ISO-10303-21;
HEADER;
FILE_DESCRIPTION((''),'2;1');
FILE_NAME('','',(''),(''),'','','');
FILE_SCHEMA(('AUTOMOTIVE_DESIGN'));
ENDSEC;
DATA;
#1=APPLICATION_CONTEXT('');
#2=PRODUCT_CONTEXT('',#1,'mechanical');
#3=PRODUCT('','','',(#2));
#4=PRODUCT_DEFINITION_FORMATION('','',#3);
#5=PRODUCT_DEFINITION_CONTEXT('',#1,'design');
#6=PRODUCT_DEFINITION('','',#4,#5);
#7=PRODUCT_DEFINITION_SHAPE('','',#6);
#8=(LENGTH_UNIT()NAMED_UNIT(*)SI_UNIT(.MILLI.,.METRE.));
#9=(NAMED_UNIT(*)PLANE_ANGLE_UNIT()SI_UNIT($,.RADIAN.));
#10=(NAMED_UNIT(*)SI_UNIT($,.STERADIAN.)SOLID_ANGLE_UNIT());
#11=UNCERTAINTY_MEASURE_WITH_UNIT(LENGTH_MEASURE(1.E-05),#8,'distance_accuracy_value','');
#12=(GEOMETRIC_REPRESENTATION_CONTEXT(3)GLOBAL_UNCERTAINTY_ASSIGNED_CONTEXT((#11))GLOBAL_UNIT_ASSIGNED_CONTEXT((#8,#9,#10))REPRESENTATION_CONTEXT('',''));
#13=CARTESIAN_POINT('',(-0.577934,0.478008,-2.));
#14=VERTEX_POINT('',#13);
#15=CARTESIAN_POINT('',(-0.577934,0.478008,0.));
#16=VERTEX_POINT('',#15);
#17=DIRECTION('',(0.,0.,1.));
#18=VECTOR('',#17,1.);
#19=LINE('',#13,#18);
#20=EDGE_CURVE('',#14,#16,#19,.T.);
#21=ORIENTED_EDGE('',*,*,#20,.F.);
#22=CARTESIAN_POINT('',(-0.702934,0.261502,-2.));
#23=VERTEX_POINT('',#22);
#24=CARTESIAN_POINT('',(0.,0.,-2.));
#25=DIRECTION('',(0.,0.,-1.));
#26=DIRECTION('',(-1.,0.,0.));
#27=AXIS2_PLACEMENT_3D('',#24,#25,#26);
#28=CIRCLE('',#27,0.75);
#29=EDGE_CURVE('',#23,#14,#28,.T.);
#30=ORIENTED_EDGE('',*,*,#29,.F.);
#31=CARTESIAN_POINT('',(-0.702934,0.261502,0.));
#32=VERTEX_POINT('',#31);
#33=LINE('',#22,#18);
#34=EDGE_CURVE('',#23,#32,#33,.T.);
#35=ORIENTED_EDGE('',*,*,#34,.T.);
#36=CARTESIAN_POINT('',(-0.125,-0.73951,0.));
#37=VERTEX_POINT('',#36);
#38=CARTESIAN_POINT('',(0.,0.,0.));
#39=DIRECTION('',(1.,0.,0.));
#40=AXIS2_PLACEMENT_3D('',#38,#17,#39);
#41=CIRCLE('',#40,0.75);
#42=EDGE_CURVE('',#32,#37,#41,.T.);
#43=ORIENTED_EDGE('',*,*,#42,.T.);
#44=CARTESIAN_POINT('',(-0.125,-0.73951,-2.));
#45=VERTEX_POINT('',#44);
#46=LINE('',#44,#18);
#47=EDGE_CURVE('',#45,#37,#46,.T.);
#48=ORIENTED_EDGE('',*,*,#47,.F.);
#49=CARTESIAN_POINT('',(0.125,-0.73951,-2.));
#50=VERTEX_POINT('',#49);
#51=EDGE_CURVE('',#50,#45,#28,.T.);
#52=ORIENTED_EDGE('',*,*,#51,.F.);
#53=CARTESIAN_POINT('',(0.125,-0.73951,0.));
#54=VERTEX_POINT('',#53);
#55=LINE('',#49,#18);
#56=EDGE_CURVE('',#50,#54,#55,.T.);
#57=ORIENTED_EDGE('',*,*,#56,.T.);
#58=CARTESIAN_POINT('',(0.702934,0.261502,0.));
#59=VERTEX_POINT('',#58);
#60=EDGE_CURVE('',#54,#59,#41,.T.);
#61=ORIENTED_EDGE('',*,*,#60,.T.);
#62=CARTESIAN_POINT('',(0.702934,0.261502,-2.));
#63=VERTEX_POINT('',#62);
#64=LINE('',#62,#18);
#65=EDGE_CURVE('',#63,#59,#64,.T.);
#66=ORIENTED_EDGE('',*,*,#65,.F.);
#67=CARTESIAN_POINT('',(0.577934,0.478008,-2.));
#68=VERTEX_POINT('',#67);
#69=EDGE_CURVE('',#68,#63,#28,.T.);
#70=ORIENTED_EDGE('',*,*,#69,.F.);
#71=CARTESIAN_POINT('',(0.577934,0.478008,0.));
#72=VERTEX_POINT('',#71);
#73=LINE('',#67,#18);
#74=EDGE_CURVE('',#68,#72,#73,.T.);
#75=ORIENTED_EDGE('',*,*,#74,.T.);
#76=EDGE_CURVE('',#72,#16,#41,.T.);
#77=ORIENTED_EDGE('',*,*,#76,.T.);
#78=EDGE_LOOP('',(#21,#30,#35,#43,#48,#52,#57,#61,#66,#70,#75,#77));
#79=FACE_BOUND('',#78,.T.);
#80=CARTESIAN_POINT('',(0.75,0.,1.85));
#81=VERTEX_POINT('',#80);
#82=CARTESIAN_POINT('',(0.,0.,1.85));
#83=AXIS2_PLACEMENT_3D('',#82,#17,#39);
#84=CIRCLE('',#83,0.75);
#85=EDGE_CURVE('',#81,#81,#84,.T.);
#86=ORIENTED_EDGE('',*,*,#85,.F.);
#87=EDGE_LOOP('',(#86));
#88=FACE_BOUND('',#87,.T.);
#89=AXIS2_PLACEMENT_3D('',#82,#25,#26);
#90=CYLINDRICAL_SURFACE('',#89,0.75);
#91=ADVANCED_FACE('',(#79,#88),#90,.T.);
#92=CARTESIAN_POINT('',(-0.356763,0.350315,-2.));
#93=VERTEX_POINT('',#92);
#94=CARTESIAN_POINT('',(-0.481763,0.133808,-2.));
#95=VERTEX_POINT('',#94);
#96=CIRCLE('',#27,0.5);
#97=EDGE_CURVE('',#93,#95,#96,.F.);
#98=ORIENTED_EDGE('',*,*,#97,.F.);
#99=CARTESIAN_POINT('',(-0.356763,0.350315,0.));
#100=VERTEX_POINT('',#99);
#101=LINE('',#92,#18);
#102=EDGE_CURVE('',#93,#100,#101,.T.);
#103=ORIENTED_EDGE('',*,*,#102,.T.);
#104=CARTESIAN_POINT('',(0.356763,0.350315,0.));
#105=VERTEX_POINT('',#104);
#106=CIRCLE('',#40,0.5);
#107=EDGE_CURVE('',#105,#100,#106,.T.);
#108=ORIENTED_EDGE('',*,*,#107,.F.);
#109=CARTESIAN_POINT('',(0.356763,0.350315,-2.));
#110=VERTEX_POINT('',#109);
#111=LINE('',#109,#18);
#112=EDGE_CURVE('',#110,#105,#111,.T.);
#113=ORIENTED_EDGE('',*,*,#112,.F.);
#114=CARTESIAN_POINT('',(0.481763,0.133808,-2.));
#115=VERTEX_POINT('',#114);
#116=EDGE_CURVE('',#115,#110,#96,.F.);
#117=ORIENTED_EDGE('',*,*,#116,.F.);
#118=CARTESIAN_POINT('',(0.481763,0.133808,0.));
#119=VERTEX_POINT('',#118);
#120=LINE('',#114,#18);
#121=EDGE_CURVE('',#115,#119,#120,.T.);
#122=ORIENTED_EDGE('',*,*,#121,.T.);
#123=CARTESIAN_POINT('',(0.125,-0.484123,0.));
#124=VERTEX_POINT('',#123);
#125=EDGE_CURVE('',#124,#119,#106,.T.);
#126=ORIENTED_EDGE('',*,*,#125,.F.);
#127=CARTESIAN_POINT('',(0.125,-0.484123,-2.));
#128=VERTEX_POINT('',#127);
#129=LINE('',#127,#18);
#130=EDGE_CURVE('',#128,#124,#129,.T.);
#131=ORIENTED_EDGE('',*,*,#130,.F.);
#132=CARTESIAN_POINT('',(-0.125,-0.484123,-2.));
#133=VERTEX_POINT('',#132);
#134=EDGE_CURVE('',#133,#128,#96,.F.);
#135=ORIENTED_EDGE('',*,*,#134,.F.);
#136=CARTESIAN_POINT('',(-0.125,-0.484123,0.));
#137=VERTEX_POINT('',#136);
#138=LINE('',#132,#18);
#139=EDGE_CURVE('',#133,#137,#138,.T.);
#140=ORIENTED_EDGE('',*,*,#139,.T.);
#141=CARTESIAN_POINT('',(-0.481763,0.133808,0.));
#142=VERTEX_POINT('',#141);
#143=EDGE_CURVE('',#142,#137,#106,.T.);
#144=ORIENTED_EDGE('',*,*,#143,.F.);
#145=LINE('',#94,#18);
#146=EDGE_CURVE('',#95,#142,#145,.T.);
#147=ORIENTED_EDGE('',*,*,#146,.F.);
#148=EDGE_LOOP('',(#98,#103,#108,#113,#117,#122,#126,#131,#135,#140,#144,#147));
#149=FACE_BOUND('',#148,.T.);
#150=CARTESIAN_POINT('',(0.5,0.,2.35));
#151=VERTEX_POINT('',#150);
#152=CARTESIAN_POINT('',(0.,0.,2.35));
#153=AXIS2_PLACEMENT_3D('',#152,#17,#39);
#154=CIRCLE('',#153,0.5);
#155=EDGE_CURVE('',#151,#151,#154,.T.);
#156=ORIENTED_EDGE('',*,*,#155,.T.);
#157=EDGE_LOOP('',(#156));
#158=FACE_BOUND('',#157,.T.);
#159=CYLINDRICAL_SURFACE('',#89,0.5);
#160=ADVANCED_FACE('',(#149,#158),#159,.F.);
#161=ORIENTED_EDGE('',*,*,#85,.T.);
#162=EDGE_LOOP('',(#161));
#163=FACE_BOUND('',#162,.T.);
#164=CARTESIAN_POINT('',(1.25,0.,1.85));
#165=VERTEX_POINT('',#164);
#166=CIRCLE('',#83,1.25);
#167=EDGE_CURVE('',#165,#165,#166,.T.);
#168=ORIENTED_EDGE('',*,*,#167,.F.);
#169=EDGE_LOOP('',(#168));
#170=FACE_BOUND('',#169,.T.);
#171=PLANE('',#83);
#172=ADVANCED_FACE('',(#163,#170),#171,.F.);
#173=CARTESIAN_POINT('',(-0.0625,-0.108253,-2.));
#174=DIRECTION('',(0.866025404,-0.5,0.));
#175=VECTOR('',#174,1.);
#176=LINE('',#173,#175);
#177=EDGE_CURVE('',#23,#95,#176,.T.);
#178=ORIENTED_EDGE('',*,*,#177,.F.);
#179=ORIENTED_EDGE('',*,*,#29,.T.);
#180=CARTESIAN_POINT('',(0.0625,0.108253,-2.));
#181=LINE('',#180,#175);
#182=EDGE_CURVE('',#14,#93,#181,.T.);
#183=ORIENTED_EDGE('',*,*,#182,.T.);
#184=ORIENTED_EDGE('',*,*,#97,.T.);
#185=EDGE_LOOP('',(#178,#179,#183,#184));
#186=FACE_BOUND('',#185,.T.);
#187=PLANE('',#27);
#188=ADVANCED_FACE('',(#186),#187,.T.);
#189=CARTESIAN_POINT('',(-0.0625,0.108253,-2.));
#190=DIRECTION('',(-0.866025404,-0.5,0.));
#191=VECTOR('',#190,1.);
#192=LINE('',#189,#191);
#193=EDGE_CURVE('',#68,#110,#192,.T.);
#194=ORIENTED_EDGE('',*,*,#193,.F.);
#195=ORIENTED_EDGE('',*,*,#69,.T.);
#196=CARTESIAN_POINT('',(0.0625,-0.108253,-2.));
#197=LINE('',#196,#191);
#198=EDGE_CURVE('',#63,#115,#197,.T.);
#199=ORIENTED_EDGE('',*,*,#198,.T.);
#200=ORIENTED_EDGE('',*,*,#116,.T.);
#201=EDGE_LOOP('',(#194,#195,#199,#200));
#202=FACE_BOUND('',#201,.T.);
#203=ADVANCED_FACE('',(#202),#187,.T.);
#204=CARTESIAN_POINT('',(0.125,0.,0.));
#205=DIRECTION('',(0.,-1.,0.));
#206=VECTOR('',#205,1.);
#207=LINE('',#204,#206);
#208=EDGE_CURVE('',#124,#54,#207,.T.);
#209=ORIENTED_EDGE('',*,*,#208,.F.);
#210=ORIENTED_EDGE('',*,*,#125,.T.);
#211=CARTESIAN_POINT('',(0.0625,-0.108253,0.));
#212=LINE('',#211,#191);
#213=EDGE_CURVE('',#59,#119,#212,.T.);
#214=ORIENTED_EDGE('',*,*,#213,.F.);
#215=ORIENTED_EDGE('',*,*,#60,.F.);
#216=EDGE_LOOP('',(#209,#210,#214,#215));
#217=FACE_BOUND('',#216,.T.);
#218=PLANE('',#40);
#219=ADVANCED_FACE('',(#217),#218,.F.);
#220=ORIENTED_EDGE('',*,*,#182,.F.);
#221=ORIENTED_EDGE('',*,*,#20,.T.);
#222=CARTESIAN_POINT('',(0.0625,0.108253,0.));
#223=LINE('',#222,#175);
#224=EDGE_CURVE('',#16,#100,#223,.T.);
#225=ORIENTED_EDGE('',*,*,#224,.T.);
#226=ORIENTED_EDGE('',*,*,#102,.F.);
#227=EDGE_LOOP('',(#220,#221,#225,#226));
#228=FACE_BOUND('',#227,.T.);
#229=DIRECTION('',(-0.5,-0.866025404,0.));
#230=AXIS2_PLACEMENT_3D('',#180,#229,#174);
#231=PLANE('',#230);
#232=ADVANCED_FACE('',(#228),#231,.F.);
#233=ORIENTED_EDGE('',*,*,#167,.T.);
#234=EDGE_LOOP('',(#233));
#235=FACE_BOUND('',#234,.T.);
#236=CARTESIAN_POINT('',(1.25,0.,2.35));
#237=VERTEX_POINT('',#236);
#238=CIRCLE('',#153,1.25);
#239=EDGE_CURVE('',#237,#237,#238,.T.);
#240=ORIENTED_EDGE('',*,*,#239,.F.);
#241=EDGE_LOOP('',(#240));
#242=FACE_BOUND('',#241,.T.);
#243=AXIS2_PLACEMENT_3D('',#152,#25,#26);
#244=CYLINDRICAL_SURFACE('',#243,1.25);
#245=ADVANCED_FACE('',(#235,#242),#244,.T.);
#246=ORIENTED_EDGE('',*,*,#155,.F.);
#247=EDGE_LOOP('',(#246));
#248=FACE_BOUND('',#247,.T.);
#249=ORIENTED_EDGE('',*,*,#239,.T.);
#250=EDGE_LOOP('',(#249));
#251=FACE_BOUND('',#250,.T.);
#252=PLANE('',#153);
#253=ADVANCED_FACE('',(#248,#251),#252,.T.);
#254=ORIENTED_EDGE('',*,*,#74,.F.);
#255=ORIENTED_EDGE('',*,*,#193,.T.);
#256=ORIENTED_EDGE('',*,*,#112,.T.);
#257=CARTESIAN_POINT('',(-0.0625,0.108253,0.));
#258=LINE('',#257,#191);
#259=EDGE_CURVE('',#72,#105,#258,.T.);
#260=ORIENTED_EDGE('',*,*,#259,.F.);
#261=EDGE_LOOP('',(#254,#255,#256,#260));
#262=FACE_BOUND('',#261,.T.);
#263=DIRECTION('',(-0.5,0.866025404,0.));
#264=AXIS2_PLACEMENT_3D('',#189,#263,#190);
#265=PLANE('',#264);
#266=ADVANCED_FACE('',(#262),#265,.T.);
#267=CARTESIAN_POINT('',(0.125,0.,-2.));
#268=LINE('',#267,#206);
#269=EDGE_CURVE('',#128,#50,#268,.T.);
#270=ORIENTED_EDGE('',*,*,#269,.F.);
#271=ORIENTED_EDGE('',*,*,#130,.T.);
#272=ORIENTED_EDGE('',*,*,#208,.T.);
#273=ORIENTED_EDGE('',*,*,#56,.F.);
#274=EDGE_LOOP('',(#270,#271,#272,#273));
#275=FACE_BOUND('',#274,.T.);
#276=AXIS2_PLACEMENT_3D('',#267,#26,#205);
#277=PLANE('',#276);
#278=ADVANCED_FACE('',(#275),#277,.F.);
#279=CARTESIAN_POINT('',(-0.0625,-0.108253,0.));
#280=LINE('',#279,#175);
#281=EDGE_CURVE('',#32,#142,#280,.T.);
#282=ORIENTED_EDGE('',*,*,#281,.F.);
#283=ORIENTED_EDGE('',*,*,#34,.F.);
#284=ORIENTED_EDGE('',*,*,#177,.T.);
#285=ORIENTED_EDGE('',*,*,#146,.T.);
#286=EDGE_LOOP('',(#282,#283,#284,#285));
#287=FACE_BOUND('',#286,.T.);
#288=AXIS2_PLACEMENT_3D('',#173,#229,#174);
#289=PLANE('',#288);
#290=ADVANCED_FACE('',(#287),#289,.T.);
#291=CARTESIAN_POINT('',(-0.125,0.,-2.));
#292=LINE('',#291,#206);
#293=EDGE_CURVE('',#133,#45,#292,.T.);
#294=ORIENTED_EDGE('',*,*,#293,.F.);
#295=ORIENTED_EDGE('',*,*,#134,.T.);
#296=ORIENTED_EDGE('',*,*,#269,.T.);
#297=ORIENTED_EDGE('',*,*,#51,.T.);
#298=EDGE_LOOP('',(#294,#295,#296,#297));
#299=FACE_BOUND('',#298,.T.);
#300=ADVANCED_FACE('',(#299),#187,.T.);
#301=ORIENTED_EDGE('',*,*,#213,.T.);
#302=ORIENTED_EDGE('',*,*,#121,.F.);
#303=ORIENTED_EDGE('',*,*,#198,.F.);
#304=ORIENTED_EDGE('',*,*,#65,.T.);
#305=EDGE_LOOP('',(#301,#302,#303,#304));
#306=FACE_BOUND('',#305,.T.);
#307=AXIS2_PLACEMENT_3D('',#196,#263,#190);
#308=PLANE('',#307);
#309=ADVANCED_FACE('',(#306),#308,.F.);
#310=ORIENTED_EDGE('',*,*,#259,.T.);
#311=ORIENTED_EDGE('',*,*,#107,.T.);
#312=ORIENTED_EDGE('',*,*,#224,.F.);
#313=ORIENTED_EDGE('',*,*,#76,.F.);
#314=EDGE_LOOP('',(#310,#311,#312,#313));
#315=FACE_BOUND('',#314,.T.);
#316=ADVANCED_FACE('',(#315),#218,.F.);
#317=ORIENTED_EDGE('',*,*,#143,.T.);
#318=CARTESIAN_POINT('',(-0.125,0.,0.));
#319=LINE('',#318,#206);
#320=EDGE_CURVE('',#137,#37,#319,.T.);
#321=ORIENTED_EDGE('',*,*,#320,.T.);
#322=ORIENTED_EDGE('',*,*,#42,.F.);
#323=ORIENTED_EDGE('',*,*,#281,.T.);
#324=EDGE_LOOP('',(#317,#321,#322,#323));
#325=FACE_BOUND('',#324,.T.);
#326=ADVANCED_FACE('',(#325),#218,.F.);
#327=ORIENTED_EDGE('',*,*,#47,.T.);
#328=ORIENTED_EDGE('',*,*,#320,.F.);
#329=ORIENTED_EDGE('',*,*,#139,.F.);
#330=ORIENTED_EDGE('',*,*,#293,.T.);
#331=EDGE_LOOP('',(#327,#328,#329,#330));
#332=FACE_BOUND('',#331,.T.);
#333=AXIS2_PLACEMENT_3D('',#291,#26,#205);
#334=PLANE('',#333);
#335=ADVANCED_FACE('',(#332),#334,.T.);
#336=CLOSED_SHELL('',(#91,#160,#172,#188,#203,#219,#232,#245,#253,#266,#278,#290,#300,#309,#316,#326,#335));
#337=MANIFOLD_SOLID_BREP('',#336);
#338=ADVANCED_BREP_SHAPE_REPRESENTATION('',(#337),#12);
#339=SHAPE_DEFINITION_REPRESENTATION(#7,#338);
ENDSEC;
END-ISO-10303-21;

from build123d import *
from build123d.topology import SkipClean

# Parameters (mm, degrees)
SKETCH1_R           = 0.75
SKETCH1_R_2         = 0.5
BOSS_EXTRUDE1_DEPTH = 1.85
SKETCH2_R           = 1.25
SKETCH2_R_2         = 0.5
BOSS_EXTRUDE2_DEPTH = 0.5
BOSS_EXTRUDE3_START = 2
BOSS_EXTRUDE3_DEPTH = 2


with BuildPart() as part:
    # Sketch1 → Boss-Extrude1 (new body)
    with BuildSketch(Plane.XY):
        Circle(SKETCH1_R)
        Circle(SKETCH1_R_2, mode=Mode.SUBTRACT)
    extrude(amount=BOSS_EXTRUDE1_DEPTH)

    # Sketch2 → Boss-Extrude2 (add)
    with BuildSketch(Plane.XY.offset(1.85)):
        Circle(SKETCH2_R)
        Circle(SKETCH2_R_2, mode=Mode.SUBTRACT)
    extrude(amount=BOSS_EXTRUDE2_DEPTH)

    # Sketch4 → Boss-Extrude3 (add)
    with SkipClean():  # the faces are left unmerged after this step: merging them gives an invalid solid
        with BuildSketch(Plane(origin=(0, 0, 0), x_dir=(-1, 0, 0), z_dir=(0, 0, -1)).offset(BOSS_EXTRUDE3_START)):
            with BuildLine():
                Line((-0.356762746, 0.350314635), (-0.577934423, 0.478008162))
                ThreePointArc((-0.577934423, 0.478008162), (-0.615884067, 0.42800329), (-0.649519059, 0.374999989))
                ThreePointArc((-0.649519059, 0.374999989), (-0.678603761, 0.319369591), (-0.702934423, 0.261501811))
                Line((-0.702934423, 0.261501811), (-0.481762746, 0.133808284))
                ThreePointArc((-0.481762746, 0.133808284), (-0.433012702, 0.25), (-0.356762746, 0.350314635))
            make_face()
            with BuildLine():
                ThreePointArc((0.702934423, 0.261501811), (0.678603761, 0.319369591), (0.649519059, 0.374999989))
                ThreePointArc((0.649519059, 0.374999989), (0.615884067, 0.42800329), (0.577934423, 0.478008162))
                Line((0.577934423, 0.478008162), (0.356762746, 0.350314635))
                ThreePointArc((0.356762746, 0.350314635), (0.433012702, 0.25), (0.481762746, 0.133808284))
                Line((0.481762746, 0.133808284), (0.702934423, 0.261501811))
            make_face()
            with BuildLine():
                ThreePointArc((0, -0.75), (0.062719695, -0.747372892), (0.125, -0.739509973))
                Line((0.125, -0.739509973), (0.125, -0.484122918))
                ThreePointArc((0.125, -0.484122918), (0, -0.5), (-0.125, -0.484122918))
                Line((-0.125, -0.484122918), (-0.125, -0.739509973))
                ThreePointArc((-0.125, -0.739509973), (-0.062719695, -0.747372892), (0, -0.75))
            make_face()
        extrude(amount=-BOSS_EXTRUDE3_DEPTH)


solid = part.part
